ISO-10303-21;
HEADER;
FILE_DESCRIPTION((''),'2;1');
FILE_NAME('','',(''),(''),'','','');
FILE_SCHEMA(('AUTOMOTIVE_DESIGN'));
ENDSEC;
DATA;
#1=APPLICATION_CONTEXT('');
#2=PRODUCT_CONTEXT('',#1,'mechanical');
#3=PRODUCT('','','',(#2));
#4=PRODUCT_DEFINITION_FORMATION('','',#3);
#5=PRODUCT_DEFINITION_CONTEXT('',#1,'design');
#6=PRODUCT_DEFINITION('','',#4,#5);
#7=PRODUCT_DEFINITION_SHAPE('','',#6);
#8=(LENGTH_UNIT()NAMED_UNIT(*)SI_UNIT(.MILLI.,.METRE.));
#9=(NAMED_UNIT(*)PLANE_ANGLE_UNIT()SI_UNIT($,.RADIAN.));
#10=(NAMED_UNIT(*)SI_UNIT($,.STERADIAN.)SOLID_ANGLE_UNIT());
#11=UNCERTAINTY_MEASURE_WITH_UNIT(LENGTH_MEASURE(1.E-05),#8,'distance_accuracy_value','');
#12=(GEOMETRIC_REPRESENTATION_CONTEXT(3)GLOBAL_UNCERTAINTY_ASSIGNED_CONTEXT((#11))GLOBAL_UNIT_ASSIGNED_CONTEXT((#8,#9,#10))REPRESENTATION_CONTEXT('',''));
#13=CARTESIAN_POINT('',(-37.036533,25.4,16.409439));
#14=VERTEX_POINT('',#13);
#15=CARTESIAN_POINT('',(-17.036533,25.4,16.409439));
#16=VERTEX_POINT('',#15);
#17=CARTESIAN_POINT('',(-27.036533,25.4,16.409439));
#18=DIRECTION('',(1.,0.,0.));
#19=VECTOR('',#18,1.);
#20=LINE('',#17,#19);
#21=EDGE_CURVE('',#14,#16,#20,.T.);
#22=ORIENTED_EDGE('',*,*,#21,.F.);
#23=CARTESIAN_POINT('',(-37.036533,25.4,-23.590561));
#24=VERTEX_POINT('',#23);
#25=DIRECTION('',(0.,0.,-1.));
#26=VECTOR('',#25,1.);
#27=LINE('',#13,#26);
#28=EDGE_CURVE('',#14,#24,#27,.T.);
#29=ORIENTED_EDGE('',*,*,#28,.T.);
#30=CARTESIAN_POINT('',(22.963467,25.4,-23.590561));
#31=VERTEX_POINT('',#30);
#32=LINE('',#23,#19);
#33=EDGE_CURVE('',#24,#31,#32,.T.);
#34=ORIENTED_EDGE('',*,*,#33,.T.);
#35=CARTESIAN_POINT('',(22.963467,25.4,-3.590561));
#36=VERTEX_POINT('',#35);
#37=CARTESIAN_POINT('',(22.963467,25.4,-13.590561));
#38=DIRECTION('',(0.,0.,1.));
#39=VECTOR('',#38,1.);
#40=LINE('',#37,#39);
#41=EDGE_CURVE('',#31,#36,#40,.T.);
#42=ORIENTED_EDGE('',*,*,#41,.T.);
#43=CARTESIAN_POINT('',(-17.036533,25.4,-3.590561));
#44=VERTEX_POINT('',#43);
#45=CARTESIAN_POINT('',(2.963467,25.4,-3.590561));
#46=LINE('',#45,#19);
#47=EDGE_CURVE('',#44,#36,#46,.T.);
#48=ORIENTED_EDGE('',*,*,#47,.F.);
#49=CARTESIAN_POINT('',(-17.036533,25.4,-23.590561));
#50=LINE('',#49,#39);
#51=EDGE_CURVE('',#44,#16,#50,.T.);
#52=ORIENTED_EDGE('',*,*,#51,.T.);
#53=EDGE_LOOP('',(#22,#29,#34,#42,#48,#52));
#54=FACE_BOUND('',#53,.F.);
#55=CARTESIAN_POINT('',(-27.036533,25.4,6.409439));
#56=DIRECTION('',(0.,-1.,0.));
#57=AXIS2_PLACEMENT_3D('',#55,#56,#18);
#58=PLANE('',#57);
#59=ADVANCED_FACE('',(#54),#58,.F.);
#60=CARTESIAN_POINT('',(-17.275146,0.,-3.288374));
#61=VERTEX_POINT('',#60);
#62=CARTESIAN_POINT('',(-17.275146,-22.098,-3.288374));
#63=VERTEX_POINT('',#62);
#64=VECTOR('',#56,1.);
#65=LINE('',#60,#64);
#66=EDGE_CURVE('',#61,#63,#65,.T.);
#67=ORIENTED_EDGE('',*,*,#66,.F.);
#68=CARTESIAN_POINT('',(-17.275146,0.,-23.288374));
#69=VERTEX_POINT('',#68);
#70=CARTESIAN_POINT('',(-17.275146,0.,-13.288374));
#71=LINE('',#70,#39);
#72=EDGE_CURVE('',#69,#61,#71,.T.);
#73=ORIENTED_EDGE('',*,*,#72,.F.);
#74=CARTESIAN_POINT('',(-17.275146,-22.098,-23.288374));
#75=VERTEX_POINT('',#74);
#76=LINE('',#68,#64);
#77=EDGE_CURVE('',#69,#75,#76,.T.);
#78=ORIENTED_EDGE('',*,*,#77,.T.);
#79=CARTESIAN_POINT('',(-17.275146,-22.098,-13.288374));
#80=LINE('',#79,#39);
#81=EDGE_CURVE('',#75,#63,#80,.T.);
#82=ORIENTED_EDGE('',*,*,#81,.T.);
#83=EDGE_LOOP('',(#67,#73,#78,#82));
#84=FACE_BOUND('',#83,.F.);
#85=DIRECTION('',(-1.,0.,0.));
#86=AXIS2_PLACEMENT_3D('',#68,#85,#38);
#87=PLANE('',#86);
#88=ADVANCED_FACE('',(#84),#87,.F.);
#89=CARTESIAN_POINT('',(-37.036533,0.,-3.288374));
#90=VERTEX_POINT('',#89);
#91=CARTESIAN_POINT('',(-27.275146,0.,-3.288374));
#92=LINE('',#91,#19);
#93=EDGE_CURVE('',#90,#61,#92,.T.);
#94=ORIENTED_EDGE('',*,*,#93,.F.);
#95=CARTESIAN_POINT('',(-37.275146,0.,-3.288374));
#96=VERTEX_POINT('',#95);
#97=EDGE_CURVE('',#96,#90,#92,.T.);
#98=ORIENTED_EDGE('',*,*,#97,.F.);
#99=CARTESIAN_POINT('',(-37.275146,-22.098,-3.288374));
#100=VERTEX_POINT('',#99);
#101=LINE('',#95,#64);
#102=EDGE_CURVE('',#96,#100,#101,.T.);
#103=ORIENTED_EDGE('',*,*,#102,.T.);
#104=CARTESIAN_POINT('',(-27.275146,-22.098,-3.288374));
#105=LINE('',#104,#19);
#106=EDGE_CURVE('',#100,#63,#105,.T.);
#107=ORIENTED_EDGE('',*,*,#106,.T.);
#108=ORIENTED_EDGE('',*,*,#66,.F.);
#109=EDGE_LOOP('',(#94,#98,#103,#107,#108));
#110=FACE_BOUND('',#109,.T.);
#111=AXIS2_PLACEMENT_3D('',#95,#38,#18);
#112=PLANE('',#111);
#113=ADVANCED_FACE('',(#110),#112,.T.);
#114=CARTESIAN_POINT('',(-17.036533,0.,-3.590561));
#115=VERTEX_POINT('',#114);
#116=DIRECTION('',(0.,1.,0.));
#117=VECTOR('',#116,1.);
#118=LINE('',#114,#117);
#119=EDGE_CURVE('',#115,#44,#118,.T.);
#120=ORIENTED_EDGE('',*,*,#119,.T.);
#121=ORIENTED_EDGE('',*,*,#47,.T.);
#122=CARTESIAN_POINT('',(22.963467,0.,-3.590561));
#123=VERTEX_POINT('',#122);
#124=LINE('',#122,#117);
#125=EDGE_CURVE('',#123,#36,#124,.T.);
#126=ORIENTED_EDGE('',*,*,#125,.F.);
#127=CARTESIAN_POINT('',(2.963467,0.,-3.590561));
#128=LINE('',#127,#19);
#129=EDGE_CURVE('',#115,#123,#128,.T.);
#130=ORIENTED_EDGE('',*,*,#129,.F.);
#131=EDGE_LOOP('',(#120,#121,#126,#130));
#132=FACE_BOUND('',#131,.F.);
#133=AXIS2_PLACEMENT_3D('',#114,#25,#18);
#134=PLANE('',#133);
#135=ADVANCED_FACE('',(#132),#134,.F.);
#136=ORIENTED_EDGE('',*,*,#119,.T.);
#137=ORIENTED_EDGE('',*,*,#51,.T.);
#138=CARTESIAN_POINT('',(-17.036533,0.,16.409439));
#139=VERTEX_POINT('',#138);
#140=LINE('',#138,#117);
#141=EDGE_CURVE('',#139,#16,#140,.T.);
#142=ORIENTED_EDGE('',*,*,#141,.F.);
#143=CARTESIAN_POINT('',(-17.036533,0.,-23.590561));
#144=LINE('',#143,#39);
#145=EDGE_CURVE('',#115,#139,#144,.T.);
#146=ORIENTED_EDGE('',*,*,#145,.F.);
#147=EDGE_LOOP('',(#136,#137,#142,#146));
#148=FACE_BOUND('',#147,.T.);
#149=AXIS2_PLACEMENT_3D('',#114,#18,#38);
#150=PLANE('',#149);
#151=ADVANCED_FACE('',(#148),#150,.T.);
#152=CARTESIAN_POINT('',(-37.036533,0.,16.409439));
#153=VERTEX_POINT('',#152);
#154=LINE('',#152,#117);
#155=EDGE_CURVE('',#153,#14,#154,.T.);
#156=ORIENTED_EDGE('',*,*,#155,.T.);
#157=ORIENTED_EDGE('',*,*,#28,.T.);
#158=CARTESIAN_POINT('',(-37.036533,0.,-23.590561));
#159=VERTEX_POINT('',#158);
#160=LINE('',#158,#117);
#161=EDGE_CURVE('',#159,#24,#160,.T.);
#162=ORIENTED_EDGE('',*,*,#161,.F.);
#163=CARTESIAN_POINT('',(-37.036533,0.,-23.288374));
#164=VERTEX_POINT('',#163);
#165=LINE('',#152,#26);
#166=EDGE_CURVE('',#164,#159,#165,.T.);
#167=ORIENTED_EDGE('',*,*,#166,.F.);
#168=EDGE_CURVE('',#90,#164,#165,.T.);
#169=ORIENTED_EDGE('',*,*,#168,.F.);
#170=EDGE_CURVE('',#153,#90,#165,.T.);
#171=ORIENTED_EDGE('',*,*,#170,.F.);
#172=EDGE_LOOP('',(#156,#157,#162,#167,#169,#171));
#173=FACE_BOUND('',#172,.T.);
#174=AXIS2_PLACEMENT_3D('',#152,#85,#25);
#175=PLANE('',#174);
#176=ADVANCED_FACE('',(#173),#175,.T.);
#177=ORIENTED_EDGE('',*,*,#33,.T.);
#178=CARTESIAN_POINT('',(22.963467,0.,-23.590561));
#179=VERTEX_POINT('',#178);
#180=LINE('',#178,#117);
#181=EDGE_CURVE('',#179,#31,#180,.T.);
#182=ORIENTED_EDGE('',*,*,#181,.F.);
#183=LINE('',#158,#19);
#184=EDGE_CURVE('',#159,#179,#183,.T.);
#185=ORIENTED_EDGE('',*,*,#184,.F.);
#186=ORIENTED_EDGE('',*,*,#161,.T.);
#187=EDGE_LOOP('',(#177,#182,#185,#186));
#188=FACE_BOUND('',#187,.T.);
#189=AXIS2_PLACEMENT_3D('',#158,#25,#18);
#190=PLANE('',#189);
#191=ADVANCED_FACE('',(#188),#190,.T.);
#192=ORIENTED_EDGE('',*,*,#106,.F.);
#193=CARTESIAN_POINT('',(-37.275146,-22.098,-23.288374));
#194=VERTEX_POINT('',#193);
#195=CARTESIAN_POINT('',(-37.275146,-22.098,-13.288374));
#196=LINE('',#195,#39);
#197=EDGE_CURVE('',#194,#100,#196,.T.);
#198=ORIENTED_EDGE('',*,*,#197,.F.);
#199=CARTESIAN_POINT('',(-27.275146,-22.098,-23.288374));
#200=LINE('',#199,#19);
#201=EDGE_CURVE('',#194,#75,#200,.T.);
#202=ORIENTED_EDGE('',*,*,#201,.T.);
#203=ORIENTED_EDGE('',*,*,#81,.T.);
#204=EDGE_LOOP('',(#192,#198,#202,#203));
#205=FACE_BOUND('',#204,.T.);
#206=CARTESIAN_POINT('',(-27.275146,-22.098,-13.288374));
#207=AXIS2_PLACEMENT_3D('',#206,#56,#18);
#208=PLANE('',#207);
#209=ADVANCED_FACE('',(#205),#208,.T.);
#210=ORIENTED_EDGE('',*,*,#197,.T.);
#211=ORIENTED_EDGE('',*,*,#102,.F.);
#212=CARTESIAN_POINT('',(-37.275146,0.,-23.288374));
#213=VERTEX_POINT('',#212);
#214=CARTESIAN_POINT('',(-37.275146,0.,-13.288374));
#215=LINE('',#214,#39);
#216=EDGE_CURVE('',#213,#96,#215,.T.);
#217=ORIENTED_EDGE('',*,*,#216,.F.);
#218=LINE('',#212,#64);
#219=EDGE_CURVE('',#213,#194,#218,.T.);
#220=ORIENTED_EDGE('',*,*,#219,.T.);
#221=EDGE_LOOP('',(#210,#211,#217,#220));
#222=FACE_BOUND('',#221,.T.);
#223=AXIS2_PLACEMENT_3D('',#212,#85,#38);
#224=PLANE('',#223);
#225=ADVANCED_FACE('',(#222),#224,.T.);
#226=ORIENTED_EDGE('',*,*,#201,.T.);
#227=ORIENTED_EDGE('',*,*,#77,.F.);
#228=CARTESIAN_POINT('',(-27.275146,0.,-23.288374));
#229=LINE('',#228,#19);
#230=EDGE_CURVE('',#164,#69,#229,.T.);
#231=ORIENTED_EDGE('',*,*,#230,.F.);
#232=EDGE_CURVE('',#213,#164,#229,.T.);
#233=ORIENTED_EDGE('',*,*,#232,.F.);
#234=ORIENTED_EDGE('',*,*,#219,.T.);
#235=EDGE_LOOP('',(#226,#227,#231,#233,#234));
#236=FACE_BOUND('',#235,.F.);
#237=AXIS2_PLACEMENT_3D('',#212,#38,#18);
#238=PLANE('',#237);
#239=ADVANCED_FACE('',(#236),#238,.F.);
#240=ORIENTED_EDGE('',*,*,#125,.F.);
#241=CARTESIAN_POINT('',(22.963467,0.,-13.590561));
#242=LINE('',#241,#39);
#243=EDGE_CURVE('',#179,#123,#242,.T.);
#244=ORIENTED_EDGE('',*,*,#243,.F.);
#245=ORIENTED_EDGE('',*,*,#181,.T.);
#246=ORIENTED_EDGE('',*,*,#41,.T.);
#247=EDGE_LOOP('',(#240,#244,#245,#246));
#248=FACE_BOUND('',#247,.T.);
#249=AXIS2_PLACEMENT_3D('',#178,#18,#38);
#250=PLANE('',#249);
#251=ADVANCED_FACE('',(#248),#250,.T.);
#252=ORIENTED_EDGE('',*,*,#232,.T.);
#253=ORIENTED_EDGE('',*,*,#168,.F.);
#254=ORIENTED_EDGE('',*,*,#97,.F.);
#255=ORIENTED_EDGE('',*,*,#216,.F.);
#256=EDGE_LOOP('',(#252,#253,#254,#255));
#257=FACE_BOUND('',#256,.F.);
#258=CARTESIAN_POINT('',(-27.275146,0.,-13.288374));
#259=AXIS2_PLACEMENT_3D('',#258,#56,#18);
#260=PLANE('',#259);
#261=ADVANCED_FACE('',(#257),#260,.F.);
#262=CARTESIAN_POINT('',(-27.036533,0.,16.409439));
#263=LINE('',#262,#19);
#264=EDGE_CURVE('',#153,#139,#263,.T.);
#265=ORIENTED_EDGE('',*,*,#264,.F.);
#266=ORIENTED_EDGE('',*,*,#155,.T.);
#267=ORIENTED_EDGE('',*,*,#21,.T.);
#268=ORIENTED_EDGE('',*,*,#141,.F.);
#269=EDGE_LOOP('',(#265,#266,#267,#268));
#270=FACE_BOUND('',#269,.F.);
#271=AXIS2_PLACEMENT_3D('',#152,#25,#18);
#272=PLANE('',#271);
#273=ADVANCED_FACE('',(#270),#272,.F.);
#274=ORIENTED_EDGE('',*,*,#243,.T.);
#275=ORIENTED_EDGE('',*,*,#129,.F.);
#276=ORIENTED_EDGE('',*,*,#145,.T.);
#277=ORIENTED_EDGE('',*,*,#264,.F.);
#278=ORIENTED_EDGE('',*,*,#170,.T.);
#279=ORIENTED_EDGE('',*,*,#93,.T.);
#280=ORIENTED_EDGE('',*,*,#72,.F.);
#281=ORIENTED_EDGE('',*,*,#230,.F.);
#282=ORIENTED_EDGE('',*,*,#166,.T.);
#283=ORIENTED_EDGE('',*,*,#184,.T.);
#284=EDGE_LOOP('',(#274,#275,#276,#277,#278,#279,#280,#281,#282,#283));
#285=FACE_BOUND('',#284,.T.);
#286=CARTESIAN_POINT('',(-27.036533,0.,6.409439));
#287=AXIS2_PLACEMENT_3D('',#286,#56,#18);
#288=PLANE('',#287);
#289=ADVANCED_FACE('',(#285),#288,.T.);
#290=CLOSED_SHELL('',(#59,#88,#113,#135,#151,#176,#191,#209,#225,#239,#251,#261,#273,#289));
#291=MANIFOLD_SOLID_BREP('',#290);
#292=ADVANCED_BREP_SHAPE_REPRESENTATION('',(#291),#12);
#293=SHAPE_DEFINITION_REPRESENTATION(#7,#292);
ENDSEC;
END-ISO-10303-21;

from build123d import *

# Parameters (mm, degrees)
F0_W     = 20
F0_H     = 20
F0_W_2   = 40
F1_DEPTH = 25.4
F2_W     = 20
F2_H     = 20
F3_DEPTH = 22.098


with BuildPart() as f1:
    # F0 (on Front) → F1 (new body)
    with BuildSketch(Plane.XZ):
        with Locations((-27.036533, 6.409439)):
            Rectangle(F0_W, F0_H)
        with Locations((-27.036533, -13.590561)):
            Rectangle(F0_W, F0_H)
        with Locations((2.963467, -13.590561)):
            Rectangle(F0_W_2, F0_H)
    extrude(amount=-F1_DEPTH)

    # F2 (on Front) → F3 (join)
    with BuildSketch(Plane.XZ):
        with Locations((-27.275146, -13.288374)):
            Rectangle(F2_W, F2_H)
    extrude(amount=F3_DEPTH)


solid = f1.part
